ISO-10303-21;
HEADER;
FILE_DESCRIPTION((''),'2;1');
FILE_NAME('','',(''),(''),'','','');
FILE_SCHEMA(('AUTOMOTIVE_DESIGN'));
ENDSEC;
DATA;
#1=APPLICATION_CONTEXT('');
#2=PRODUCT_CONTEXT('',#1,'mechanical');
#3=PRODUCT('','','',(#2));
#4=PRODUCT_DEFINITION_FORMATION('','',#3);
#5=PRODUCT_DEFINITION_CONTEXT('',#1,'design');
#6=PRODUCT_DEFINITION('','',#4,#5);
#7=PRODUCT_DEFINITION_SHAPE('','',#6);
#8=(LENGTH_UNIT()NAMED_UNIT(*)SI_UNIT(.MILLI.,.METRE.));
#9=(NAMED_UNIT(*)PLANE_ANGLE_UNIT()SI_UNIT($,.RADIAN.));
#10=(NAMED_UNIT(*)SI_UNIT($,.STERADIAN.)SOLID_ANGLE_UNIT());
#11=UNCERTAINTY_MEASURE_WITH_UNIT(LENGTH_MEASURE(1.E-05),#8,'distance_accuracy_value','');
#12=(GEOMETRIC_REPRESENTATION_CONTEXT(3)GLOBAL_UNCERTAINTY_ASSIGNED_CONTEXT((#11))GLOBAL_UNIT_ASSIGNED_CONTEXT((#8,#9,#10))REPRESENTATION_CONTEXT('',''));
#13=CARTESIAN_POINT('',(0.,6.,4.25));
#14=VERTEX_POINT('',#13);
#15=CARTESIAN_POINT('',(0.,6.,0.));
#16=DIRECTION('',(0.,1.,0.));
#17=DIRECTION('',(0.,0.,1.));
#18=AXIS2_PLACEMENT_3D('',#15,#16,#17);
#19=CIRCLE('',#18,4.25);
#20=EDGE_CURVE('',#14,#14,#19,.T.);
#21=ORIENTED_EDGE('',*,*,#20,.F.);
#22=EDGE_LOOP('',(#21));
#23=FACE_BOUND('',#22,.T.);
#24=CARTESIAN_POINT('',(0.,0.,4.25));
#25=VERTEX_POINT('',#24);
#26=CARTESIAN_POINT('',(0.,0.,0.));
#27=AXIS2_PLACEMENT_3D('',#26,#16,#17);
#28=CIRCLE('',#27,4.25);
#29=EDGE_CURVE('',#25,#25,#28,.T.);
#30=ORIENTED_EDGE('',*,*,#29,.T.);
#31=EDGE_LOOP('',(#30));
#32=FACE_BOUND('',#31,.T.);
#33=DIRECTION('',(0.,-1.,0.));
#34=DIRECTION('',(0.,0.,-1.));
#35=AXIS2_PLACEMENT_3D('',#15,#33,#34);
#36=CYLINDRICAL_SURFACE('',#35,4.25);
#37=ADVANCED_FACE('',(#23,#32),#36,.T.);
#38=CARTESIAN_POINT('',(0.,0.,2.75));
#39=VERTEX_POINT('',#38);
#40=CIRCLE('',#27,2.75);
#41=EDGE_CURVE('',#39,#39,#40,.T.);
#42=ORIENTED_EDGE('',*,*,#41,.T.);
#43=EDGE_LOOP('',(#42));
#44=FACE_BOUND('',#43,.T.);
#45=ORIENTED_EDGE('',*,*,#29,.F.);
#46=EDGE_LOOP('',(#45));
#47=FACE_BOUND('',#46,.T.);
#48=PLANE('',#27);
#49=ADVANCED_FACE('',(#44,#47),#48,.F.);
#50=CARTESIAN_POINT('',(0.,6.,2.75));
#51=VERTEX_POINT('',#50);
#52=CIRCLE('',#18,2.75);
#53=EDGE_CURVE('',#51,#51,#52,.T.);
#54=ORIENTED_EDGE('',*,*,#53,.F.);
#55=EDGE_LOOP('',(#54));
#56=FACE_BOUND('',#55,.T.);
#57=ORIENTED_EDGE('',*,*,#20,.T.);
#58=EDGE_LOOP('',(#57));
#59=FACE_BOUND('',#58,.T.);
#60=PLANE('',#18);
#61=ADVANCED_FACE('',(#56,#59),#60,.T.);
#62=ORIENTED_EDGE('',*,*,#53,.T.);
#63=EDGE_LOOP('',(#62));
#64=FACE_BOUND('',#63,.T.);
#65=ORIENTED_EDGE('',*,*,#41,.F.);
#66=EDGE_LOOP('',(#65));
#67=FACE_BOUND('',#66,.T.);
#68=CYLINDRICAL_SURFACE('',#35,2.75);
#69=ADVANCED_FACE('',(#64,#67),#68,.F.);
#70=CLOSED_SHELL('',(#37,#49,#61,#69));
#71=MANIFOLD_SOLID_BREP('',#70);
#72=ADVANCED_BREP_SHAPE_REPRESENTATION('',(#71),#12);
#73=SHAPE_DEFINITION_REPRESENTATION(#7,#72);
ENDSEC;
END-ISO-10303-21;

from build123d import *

# Parameters (mm, degrees)
SKETCH1_R           = 4.25
SKETCH1_R_2         = 2.75
BOSS_EXTRUDE1_DEPTH = 6


with BuildPart() as part:
    # Sketch1 → Boss-Extrude1 (new body)
    with BuildSketch(Plane(origin=(0, 0, 0), x_dir=(1, 0, 0), z_dir=(0, 1, 0))):
        Circle(SKETCH1_R)
        Circle(SKETCH1_R_2, mode=Mode.SUBTRACT)
    extrude(amount=BOSS_EXTRUDE1_DEPTH)


solid = part.part
